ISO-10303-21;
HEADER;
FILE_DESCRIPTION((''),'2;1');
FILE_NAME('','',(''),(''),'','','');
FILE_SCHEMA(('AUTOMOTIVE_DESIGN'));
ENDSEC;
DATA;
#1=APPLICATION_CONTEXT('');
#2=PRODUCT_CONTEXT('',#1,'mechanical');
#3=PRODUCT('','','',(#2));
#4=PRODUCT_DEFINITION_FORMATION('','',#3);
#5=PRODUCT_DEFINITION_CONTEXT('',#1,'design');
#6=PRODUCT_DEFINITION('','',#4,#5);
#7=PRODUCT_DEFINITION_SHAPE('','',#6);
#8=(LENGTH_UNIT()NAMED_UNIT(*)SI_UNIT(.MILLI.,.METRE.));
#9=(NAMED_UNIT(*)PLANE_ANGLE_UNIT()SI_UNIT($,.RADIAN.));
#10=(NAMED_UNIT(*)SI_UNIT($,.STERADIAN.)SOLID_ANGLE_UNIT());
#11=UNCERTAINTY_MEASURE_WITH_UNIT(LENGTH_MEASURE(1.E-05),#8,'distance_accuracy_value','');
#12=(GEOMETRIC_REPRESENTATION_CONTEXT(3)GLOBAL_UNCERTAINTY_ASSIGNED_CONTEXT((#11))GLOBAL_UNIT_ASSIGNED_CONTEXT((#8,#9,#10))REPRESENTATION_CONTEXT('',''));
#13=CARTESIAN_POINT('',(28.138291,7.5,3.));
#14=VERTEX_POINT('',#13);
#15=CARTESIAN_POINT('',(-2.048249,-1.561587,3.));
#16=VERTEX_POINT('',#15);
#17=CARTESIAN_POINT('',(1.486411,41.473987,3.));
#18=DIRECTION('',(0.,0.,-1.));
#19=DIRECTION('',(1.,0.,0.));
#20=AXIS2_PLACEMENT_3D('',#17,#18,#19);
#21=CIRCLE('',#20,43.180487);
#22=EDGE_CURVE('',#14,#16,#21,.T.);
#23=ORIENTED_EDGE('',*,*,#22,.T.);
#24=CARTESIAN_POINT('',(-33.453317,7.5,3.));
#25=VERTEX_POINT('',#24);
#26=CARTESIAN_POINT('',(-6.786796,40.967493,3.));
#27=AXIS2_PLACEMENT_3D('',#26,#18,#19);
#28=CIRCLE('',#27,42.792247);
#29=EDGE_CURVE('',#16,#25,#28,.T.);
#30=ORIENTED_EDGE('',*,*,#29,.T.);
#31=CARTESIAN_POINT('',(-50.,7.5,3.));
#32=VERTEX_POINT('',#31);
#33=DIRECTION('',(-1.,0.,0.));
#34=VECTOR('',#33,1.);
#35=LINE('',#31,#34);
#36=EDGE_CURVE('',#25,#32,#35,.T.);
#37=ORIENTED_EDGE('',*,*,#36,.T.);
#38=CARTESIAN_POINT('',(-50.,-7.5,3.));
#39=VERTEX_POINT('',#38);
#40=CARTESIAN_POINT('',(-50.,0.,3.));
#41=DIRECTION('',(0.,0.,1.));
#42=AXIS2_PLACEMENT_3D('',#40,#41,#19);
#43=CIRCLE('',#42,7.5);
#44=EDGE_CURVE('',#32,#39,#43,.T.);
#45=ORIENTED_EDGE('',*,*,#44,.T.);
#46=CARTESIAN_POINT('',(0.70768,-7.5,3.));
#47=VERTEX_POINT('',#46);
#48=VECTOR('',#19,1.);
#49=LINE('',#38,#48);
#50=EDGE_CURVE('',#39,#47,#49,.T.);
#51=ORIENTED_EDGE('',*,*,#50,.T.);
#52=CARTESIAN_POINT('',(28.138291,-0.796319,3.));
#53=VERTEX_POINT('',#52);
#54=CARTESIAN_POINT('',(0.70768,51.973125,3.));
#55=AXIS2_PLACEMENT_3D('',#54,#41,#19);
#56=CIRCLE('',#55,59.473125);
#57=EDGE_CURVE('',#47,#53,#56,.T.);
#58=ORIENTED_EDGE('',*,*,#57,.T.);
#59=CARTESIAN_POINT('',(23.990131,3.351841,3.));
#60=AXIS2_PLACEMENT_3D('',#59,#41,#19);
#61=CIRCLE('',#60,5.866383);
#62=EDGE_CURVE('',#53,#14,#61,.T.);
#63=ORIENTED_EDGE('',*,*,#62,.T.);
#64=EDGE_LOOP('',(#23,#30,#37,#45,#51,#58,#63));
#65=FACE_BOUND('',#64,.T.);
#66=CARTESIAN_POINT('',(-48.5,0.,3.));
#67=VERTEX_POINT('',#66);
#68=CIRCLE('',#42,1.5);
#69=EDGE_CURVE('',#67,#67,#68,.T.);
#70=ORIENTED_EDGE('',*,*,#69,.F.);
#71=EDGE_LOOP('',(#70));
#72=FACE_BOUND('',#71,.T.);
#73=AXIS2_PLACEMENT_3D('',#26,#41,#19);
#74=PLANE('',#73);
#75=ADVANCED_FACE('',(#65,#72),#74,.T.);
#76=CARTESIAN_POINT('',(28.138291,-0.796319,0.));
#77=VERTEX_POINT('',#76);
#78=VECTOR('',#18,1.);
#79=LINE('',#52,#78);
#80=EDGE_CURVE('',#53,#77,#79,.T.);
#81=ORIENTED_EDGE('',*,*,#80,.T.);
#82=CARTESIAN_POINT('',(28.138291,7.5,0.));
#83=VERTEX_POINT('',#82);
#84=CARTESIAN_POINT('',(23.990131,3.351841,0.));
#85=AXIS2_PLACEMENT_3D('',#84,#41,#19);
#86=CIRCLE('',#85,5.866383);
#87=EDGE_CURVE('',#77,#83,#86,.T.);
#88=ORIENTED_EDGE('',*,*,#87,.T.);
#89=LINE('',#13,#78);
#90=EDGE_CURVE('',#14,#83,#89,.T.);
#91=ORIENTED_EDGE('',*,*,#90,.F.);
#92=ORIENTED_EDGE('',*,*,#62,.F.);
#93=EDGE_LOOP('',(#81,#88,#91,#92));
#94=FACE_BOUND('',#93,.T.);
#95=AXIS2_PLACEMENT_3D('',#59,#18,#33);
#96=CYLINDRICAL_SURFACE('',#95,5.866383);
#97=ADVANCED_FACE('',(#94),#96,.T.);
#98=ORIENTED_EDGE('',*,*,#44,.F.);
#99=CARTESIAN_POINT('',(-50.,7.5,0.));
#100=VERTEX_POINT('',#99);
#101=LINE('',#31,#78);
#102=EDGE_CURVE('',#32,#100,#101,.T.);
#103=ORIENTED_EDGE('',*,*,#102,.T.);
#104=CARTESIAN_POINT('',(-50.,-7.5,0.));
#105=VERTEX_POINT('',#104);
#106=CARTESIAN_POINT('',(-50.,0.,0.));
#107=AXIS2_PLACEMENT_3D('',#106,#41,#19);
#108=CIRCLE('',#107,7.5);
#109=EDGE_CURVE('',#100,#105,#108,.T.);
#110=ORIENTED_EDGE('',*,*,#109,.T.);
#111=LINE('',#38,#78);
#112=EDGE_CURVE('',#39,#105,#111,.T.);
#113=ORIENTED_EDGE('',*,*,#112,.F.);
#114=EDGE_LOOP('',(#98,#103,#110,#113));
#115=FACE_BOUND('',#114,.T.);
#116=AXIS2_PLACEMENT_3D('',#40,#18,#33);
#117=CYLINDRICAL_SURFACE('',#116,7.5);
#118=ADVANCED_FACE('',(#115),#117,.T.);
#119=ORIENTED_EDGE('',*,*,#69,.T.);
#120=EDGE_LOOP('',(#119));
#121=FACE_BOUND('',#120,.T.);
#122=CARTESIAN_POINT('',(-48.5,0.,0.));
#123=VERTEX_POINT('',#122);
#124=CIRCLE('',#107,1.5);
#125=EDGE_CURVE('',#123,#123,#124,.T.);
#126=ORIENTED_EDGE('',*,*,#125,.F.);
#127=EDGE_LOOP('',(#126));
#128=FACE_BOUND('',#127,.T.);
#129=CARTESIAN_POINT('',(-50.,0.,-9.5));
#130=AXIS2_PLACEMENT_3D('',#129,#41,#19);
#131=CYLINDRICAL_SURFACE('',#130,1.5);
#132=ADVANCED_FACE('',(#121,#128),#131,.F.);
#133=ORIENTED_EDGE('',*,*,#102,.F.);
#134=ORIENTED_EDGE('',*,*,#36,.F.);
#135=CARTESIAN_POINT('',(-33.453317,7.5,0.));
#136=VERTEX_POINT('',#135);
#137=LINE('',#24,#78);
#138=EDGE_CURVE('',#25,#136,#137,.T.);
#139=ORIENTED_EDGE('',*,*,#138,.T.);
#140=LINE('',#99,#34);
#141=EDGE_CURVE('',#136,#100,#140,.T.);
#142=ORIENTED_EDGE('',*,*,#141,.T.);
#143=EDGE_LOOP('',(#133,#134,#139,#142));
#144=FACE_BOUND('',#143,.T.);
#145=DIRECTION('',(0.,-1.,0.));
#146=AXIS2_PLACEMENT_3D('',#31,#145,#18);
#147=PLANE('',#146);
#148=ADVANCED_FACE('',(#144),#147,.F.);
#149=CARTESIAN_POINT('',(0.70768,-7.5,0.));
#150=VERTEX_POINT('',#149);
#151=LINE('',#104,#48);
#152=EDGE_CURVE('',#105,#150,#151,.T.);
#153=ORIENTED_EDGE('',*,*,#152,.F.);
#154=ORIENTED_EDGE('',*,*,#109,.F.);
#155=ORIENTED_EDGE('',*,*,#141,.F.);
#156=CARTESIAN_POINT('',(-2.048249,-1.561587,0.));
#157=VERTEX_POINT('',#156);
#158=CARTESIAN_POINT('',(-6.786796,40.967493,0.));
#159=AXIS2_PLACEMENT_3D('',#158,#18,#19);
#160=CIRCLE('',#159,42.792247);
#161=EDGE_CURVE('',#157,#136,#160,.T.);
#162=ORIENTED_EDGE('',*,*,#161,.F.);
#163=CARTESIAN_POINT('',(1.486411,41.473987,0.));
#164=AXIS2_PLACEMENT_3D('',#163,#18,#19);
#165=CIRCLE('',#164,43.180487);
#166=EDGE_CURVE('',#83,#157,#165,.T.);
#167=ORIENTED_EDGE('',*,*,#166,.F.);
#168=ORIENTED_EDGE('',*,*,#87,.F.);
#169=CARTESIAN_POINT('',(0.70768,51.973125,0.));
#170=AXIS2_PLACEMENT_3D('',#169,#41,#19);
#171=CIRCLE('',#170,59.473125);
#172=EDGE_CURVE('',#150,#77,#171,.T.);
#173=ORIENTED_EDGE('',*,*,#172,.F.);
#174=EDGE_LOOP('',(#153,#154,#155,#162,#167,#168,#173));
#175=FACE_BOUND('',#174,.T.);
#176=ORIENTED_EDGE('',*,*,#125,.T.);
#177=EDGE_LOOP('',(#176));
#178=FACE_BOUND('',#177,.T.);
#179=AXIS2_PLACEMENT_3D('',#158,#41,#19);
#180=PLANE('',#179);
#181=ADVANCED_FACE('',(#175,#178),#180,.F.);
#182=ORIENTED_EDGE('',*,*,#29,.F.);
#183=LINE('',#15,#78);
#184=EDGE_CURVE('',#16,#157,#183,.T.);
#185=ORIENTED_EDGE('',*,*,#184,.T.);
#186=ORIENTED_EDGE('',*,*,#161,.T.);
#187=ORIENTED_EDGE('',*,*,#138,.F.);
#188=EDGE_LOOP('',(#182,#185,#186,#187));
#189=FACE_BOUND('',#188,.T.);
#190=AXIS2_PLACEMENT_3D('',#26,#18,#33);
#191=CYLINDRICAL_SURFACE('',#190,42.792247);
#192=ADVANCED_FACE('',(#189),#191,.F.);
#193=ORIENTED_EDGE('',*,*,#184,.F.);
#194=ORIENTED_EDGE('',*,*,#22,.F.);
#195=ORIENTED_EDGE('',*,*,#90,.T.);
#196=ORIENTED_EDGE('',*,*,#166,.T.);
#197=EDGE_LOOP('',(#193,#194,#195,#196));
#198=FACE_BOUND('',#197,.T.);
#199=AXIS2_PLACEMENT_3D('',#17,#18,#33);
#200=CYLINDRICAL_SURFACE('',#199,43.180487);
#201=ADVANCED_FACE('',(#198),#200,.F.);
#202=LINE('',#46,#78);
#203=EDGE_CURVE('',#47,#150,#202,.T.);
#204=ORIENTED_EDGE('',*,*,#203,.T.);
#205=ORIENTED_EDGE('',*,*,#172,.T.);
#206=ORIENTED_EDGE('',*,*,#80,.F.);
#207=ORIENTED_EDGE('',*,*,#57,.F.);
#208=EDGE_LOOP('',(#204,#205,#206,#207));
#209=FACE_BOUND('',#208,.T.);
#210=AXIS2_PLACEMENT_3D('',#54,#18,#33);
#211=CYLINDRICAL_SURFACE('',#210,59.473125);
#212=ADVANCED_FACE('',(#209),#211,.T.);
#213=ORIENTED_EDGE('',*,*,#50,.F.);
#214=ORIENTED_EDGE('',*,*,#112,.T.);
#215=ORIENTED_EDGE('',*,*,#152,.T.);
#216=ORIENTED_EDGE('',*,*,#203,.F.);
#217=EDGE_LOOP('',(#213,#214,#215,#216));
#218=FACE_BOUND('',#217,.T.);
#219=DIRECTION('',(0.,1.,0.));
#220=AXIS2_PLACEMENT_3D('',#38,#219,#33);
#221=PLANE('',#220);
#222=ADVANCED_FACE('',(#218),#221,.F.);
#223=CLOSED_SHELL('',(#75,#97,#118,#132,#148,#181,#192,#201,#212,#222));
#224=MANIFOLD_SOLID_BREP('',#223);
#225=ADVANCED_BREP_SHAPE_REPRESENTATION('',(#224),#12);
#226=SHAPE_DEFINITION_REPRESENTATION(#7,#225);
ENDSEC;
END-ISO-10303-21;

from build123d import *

# Parameters (mm, degrees)
Y_KSEKLIK_EKSTR_ZYON1_DEPTH = 3
IZIM2_R                     = 1.5
KES_EKSTR_ZYON1_DEPTH       = 12.5


with BuildPart() as part:
    # Çizim1 → Yükseklik-Ekstrüzyon1 (new body)
    with BuildSketch(Plane.XY):
        with BuildLine():
            Line((-50, 7.5), (-33.453317398, 7.5))
            ThreePointArc((-33.453317398, 7.5), (-18.650063238, -0.147459849), (-2.048249465, -1.561586909))
            ThreePointArc((-2.048249465, -1.561586909), (13.901303084, 0.11670329), (28.138290623, 7.5))
            ThreePointArc((28.138290623, 7.5), (29.856514488, 3.351840642), (28.138290623, -0.796318716))
            ThreePointArc((28.138290623, -0.796318716), (14.826618758, -5.799776605), (0.707679736, -7.5))
            Line((0.707679736, -7.5), (-50, -7.5))
            ThreePointArc((-50, -7.5), (-57.5, 0), (-50, 7.5))
        make_face()
    extrude(amount=Y_KSEKLIK_EKSTR_ZYON1_DEPTH)

    # Çizim2 → Kes-Ekstrüzyon1 (cut)
    with BuildSketch(Plane.XY.offset(3)):
        with Locations((-50, 0)):
            Circle(IZIM2_R)
    extrude(amount=-KES_EKSTR_ZYON1_DEPTH, mode=Mode.SUBTRACT)


solid = part.part
